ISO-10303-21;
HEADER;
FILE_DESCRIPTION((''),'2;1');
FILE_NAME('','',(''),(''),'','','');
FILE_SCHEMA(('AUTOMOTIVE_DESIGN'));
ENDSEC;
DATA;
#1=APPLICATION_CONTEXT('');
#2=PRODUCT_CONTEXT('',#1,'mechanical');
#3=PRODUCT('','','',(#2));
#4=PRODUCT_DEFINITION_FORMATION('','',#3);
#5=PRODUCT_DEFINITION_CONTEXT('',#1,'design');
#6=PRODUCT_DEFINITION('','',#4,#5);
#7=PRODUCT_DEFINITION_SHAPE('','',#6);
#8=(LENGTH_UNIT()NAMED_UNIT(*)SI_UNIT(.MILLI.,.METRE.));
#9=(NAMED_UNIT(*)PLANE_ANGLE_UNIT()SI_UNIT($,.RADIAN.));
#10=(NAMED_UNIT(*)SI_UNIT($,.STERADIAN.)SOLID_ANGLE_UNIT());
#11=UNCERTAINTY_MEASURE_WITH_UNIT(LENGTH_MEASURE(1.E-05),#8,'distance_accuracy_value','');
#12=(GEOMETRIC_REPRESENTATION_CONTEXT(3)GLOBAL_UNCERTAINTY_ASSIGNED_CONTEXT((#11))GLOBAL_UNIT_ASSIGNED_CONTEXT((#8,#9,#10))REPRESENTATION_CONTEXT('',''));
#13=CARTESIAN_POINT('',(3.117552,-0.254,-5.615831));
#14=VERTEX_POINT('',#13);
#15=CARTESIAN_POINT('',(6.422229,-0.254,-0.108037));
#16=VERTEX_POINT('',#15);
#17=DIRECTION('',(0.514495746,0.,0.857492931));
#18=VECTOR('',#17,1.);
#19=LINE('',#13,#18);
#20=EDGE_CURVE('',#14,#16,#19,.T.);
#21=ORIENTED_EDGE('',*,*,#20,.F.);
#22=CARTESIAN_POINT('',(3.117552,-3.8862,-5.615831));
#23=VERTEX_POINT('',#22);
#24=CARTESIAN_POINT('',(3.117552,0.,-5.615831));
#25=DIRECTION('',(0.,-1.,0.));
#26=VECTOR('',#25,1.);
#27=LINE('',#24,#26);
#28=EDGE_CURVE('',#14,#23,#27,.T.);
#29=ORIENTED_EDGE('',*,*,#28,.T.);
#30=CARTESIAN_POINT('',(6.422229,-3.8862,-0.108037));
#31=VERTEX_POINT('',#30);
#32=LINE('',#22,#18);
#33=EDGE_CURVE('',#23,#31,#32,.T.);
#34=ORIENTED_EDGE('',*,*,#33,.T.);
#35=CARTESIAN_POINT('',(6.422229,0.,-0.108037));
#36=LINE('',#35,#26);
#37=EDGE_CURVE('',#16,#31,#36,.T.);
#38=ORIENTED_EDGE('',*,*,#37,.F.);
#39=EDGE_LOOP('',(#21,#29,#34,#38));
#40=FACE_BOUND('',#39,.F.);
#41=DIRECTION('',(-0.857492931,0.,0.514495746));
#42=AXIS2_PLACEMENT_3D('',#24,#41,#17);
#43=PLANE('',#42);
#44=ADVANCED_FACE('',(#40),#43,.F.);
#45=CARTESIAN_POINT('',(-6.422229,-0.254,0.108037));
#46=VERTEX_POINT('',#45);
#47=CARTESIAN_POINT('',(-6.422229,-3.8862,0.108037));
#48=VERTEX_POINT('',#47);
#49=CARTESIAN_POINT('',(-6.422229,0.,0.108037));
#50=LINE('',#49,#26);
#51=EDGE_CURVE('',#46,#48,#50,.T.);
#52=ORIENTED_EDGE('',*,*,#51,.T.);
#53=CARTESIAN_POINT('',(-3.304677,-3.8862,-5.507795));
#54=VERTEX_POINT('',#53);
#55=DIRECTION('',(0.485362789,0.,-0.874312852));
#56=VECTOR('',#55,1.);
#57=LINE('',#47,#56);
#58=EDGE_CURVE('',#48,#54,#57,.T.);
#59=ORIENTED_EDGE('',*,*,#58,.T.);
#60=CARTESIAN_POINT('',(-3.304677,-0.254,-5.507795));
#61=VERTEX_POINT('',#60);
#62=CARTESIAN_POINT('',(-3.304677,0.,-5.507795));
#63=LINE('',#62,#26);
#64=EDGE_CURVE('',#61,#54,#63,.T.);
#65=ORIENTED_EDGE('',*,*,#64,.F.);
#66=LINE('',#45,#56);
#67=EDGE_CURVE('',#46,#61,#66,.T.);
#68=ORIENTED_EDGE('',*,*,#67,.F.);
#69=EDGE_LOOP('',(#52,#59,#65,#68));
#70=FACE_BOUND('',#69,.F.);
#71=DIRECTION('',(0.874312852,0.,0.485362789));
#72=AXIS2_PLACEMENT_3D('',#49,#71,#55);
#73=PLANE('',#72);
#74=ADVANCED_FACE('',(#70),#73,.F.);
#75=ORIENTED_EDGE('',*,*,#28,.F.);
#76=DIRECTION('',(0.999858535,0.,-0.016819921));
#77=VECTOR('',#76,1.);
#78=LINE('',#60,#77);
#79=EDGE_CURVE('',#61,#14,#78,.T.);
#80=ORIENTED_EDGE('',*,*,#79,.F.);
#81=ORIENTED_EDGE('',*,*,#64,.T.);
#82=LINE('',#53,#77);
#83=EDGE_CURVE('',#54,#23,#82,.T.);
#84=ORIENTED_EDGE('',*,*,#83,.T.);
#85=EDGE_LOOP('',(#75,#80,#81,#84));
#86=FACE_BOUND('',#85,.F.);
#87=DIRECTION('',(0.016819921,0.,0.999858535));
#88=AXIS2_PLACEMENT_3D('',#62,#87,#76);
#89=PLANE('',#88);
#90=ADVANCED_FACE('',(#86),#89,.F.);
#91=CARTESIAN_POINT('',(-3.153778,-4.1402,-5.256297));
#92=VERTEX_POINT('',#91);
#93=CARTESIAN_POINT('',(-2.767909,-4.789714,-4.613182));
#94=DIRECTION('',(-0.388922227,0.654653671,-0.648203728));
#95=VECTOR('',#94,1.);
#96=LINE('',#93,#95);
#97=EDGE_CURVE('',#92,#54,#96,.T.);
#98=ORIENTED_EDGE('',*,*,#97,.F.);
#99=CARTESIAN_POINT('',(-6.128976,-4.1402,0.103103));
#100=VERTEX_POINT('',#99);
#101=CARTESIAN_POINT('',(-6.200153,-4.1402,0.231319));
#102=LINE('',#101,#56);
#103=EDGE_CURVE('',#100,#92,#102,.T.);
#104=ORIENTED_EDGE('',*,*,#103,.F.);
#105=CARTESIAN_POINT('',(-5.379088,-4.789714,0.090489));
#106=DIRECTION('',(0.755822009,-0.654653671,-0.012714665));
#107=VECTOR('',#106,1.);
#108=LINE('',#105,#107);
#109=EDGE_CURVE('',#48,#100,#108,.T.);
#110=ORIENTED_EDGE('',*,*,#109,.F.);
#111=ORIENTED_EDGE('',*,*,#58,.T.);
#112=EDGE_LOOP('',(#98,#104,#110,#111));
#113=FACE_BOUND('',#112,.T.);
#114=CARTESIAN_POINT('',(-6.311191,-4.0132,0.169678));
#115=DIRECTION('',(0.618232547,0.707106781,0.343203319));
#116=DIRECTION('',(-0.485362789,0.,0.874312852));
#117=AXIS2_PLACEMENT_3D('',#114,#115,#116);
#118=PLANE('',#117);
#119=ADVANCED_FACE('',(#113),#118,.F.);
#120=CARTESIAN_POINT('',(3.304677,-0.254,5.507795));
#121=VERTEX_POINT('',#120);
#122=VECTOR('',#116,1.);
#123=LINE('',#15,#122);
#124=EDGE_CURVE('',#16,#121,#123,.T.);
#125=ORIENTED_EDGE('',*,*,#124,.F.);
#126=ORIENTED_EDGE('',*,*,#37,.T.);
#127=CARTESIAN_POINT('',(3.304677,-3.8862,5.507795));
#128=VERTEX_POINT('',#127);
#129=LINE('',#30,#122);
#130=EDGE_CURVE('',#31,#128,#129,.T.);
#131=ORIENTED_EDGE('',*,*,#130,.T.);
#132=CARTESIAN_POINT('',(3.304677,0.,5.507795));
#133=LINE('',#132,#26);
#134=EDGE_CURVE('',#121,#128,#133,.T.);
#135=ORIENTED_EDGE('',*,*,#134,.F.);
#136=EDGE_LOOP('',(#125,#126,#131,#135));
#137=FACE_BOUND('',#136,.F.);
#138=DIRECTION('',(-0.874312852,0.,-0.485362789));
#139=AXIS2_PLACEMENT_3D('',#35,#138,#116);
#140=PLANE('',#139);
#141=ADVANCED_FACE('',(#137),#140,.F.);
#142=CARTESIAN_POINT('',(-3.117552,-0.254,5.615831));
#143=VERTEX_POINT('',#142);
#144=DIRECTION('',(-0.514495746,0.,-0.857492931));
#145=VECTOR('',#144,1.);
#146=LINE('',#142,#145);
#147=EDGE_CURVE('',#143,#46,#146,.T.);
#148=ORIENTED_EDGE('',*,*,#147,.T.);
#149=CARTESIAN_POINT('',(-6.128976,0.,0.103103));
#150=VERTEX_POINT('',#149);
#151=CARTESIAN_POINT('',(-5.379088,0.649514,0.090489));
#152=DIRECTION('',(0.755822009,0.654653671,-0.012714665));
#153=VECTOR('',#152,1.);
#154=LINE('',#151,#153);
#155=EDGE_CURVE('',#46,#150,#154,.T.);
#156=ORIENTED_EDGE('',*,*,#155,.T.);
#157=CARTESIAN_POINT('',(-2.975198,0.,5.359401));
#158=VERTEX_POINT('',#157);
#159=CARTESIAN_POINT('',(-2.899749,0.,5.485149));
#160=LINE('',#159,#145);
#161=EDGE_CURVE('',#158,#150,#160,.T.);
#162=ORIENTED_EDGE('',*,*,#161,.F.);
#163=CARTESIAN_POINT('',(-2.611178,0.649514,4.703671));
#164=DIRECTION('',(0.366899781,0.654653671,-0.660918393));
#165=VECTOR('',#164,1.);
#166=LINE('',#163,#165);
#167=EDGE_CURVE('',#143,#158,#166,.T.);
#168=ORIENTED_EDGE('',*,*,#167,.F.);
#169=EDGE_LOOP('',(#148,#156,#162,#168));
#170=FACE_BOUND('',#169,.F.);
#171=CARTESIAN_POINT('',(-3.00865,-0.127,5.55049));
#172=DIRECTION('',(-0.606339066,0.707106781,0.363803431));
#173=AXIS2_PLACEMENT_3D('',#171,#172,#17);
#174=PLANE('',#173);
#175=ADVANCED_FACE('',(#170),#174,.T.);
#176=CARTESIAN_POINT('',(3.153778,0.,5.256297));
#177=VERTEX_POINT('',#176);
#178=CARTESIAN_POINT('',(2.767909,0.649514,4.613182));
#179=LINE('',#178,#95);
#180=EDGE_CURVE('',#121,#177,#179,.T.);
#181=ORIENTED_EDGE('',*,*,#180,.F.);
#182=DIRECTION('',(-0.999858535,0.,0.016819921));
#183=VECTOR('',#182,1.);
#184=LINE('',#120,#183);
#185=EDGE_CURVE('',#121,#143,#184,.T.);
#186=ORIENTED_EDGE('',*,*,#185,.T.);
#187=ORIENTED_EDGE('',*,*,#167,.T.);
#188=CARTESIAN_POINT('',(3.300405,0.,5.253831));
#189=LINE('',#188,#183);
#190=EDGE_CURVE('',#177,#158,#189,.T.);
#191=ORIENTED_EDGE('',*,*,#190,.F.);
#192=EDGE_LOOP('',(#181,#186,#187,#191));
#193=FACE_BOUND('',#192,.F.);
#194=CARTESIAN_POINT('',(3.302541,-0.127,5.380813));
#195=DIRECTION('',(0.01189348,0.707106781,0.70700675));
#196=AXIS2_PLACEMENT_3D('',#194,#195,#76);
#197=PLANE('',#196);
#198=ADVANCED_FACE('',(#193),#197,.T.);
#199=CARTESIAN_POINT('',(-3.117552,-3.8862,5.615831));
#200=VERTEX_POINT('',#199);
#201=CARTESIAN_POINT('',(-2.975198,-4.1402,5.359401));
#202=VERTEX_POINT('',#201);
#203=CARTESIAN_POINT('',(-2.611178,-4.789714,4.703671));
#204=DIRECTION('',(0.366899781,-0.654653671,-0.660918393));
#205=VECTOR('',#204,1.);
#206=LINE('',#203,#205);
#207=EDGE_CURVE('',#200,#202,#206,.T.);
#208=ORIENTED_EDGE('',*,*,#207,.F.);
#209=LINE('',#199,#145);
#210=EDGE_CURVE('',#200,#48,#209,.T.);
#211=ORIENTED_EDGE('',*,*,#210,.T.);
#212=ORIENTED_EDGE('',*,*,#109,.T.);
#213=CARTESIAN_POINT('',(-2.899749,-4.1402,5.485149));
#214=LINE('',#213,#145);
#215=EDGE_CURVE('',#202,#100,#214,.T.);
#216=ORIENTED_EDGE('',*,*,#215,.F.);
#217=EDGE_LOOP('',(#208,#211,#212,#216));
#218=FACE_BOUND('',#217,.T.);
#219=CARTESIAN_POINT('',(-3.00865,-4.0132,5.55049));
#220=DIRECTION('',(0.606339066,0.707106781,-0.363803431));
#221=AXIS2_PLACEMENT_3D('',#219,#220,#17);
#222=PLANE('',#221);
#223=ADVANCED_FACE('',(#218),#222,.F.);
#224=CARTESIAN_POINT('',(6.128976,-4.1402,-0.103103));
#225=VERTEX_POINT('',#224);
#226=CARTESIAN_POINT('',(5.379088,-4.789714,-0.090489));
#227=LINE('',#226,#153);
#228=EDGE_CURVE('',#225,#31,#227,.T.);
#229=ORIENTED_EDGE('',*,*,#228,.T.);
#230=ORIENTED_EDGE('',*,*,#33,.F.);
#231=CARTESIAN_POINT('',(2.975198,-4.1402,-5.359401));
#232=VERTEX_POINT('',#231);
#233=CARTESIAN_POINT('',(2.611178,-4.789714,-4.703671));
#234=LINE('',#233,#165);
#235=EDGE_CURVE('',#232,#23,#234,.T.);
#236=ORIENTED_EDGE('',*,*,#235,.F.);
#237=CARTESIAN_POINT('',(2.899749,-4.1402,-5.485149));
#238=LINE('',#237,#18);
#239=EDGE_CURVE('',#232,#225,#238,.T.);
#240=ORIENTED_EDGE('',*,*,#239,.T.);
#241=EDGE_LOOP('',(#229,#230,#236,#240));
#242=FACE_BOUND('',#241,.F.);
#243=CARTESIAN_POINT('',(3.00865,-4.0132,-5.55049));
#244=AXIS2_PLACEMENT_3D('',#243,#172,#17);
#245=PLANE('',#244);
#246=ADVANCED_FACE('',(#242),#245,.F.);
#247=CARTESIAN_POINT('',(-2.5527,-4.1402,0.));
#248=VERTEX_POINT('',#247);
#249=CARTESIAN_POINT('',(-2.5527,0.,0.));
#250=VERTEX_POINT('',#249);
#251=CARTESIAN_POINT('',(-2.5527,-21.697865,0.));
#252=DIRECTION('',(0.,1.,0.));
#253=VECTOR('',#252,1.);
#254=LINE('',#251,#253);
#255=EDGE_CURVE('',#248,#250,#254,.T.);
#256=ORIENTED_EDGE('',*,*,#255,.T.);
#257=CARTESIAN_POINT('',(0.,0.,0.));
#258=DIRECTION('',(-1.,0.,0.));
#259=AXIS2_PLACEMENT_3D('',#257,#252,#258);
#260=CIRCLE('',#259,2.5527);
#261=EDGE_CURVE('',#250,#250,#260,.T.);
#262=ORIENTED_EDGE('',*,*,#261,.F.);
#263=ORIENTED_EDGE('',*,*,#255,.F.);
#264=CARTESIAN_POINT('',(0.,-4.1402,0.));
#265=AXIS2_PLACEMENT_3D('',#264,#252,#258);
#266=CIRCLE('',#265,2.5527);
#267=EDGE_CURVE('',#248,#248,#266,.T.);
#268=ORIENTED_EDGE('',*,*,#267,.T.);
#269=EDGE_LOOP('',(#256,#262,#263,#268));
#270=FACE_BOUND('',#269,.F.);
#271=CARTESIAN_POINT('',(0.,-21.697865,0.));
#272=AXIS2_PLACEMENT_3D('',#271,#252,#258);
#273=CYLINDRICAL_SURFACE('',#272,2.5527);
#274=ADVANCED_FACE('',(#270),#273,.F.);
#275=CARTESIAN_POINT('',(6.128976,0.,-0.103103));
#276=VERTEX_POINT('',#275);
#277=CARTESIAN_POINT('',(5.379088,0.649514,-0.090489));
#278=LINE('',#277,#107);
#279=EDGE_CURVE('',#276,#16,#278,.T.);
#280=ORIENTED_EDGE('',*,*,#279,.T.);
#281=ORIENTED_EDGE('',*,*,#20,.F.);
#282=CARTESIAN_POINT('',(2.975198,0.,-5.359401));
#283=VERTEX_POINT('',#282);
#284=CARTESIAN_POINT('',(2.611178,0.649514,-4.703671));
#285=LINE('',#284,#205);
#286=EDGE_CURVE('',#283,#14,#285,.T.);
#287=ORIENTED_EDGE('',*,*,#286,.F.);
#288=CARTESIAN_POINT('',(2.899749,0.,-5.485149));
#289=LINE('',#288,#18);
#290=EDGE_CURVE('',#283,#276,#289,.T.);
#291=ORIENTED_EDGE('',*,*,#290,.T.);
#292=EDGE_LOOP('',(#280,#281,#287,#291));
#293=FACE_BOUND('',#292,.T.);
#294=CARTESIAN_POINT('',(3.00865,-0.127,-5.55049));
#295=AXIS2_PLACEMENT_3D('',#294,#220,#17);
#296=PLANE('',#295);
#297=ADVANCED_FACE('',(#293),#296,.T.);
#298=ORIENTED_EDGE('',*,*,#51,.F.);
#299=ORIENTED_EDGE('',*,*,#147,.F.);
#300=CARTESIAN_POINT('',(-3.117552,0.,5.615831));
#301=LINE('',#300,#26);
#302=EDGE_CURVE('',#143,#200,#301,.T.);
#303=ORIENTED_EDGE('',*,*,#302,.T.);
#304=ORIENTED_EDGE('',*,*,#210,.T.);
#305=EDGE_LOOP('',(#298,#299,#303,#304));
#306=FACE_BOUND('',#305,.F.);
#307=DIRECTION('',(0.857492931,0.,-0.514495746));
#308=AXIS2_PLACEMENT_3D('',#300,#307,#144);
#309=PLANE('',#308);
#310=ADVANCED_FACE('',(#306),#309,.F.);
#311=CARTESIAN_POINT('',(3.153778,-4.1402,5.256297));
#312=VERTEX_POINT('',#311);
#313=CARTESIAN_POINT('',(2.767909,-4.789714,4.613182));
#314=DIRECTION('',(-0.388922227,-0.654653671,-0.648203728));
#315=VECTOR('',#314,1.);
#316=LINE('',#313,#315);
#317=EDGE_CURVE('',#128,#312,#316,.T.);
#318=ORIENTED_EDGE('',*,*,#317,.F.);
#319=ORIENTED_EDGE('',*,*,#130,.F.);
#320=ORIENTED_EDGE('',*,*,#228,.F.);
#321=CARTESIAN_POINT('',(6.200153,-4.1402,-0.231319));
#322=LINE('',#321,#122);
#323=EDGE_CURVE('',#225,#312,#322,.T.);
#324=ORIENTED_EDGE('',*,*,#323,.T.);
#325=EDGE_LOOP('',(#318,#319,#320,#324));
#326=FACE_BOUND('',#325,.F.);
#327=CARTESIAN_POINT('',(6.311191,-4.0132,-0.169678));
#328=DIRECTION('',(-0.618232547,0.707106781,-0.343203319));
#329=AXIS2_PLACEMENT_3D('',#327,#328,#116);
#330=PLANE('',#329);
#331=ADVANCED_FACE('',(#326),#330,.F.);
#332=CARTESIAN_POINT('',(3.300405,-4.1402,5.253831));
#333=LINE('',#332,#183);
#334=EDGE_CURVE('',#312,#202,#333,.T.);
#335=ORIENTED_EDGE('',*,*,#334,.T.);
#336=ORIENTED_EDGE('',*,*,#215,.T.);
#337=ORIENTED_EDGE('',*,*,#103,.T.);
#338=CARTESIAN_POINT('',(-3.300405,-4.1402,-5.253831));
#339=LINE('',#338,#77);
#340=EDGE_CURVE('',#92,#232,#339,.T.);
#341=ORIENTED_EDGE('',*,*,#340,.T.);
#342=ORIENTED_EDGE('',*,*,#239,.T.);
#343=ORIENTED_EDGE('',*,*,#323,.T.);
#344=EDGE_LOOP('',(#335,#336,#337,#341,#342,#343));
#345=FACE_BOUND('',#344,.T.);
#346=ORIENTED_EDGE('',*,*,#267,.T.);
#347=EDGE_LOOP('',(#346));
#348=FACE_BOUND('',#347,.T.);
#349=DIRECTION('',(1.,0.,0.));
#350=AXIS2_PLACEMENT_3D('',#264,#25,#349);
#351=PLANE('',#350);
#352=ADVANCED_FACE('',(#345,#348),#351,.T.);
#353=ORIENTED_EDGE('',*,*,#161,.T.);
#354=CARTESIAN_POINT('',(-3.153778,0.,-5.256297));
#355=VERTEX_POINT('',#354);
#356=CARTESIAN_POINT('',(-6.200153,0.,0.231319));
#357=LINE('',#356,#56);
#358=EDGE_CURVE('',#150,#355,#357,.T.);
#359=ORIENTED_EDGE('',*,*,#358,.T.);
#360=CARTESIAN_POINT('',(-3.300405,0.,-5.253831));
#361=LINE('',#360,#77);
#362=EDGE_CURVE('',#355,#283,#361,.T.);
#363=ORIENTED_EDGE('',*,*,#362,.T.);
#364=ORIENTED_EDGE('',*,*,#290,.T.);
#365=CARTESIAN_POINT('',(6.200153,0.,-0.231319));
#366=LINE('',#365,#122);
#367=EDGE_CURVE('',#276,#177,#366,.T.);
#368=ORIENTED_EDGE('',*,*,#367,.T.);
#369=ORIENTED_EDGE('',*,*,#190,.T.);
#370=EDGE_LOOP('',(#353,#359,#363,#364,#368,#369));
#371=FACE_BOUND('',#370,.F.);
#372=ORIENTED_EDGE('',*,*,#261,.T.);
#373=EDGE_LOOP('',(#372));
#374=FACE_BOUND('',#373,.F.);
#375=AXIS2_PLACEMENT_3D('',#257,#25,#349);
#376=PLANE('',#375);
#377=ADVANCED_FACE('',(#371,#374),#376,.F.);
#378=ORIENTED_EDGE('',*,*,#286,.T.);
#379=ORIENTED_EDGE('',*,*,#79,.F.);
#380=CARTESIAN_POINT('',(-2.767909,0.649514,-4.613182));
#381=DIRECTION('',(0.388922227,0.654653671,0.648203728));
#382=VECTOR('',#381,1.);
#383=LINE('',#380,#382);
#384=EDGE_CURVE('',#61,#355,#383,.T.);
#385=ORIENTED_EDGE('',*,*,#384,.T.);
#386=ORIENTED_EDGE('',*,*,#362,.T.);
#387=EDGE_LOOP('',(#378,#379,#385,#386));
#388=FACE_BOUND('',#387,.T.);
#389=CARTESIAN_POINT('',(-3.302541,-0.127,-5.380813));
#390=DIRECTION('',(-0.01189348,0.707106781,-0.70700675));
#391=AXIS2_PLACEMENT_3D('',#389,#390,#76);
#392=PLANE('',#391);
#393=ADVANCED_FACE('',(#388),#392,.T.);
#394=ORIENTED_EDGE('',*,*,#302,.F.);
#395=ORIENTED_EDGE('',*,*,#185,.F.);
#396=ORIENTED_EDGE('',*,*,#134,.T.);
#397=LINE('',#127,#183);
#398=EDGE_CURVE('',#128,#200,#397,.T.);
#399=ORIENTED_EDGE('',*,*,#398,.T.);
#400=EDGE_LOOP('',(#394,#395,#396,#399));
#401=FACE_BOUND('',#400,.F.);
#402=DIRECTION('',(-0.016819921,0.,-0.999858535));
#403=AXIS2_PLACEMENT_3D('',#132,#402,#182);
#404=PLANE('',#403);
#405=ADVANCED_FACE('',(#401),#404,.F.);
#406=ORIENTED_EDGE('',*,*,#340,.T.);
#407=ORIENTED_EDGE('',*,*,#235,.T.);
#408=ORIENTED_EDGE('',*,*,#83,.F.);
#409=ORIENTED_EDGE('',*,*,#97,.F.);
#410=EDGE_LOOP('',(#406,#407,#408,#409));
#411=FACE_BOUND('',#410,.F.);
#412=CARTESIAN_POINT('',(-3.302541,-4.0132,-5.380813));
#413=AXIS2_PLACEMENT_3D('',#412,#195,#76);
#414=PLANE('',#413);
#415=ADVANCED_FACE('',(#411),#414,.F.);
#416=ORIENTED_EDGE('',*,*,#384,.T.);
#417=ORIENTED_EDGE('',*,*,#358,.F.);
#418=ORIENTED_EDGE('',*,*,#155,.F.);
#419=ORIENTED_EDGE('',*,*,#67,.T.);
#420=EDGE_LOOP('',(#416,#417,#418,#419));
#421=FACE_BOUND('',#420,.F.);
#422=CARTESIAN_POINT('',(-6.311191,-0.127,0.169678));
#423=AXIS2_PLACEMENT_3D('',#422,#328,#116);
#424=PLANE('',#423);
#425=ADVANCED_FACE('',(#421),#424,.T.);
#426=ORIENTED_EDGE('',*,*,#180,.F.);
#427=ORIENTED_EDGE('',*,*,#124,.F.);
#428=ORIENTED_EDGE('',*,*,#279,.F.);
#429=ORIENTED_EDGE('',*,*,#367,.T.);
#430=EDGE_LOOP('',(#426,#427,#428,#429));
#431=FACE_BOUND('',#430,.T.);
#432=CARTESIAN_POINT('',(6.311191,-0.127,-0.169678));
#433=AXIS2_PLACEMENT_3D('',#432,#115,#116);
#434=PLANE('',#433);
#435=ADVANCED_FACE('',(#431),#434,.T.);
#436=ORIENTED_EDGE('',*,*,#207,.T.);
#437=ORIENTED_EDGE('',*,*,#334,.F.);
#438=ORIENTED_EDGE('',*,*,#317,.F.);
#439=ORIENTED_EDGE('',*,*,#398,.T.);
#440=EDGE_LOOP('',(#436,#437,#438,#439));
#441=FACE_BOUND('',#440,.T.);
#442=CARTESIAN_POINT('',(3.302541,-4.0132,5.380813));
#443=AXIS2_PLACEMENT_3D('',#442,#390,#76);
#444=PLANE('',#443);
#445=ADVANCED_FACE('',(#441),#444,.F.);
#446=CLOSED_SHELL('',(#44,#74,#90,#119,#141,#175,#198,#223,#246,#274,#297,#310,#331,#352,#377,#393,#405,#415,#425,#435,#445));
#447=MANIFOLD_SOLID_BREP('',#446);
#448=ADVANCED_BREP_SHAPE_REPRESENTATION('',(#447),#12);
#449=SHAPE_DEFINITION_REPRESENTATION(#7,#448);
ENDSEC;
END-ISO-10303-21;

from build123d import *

# Parameters (mm, degrees)
F1_DEPTH = 4.1402
F3_D     = 5.1054
F4_SIZE  = 0.254


with BuildPart() as f1:
    # F0 (on Front) → F1 (new body)
    with BuildSketch(Plane.XZ):
        Polygon((-3.1175517919, 5.6158314171), (-6.4222285665, 0.1080366591), (-3.3046767746, -5.5077947579), (3.1175517919, -5.6158314171), (6.4222285665, -0.1080366591), (3.3046767746, 5.5077947579), align=None)
    extrude(amount=F1_DEPTH)

    # F3 (through all)
    with Locations(Plane.XZ.offset(4.1402)):
        with Locations((0, 0)):
            Hole(F3_D / 2)

    # F4
    f4_edges = [f1.edges().sort_by_distance(p)[0] for p in [
        (-4.76989, -4.1402, 2.861934),
        (0.093562, -4.1402, 5.561813),
        (4.863453, -4.1402, 2.699879),
        (4.76989, -4.1402, -2.861934),
        (-0.093562, -4.1402, -5.561813),
        (-4.863453, -4.1402, -2.699879),
        (-4.863453, 0, -2.699879),
        (-4.76989, 0, 2.861934),
        (0.093562, 0, 5.561813),
        (4.863453, 0, 2.699879),
        (4.76989, 0, -2.861934),
        (-0.093562, 0, -5.561813),
    ]]
    chamfer(f4_edges, length=F4_SIZE)


solid = f1.part
